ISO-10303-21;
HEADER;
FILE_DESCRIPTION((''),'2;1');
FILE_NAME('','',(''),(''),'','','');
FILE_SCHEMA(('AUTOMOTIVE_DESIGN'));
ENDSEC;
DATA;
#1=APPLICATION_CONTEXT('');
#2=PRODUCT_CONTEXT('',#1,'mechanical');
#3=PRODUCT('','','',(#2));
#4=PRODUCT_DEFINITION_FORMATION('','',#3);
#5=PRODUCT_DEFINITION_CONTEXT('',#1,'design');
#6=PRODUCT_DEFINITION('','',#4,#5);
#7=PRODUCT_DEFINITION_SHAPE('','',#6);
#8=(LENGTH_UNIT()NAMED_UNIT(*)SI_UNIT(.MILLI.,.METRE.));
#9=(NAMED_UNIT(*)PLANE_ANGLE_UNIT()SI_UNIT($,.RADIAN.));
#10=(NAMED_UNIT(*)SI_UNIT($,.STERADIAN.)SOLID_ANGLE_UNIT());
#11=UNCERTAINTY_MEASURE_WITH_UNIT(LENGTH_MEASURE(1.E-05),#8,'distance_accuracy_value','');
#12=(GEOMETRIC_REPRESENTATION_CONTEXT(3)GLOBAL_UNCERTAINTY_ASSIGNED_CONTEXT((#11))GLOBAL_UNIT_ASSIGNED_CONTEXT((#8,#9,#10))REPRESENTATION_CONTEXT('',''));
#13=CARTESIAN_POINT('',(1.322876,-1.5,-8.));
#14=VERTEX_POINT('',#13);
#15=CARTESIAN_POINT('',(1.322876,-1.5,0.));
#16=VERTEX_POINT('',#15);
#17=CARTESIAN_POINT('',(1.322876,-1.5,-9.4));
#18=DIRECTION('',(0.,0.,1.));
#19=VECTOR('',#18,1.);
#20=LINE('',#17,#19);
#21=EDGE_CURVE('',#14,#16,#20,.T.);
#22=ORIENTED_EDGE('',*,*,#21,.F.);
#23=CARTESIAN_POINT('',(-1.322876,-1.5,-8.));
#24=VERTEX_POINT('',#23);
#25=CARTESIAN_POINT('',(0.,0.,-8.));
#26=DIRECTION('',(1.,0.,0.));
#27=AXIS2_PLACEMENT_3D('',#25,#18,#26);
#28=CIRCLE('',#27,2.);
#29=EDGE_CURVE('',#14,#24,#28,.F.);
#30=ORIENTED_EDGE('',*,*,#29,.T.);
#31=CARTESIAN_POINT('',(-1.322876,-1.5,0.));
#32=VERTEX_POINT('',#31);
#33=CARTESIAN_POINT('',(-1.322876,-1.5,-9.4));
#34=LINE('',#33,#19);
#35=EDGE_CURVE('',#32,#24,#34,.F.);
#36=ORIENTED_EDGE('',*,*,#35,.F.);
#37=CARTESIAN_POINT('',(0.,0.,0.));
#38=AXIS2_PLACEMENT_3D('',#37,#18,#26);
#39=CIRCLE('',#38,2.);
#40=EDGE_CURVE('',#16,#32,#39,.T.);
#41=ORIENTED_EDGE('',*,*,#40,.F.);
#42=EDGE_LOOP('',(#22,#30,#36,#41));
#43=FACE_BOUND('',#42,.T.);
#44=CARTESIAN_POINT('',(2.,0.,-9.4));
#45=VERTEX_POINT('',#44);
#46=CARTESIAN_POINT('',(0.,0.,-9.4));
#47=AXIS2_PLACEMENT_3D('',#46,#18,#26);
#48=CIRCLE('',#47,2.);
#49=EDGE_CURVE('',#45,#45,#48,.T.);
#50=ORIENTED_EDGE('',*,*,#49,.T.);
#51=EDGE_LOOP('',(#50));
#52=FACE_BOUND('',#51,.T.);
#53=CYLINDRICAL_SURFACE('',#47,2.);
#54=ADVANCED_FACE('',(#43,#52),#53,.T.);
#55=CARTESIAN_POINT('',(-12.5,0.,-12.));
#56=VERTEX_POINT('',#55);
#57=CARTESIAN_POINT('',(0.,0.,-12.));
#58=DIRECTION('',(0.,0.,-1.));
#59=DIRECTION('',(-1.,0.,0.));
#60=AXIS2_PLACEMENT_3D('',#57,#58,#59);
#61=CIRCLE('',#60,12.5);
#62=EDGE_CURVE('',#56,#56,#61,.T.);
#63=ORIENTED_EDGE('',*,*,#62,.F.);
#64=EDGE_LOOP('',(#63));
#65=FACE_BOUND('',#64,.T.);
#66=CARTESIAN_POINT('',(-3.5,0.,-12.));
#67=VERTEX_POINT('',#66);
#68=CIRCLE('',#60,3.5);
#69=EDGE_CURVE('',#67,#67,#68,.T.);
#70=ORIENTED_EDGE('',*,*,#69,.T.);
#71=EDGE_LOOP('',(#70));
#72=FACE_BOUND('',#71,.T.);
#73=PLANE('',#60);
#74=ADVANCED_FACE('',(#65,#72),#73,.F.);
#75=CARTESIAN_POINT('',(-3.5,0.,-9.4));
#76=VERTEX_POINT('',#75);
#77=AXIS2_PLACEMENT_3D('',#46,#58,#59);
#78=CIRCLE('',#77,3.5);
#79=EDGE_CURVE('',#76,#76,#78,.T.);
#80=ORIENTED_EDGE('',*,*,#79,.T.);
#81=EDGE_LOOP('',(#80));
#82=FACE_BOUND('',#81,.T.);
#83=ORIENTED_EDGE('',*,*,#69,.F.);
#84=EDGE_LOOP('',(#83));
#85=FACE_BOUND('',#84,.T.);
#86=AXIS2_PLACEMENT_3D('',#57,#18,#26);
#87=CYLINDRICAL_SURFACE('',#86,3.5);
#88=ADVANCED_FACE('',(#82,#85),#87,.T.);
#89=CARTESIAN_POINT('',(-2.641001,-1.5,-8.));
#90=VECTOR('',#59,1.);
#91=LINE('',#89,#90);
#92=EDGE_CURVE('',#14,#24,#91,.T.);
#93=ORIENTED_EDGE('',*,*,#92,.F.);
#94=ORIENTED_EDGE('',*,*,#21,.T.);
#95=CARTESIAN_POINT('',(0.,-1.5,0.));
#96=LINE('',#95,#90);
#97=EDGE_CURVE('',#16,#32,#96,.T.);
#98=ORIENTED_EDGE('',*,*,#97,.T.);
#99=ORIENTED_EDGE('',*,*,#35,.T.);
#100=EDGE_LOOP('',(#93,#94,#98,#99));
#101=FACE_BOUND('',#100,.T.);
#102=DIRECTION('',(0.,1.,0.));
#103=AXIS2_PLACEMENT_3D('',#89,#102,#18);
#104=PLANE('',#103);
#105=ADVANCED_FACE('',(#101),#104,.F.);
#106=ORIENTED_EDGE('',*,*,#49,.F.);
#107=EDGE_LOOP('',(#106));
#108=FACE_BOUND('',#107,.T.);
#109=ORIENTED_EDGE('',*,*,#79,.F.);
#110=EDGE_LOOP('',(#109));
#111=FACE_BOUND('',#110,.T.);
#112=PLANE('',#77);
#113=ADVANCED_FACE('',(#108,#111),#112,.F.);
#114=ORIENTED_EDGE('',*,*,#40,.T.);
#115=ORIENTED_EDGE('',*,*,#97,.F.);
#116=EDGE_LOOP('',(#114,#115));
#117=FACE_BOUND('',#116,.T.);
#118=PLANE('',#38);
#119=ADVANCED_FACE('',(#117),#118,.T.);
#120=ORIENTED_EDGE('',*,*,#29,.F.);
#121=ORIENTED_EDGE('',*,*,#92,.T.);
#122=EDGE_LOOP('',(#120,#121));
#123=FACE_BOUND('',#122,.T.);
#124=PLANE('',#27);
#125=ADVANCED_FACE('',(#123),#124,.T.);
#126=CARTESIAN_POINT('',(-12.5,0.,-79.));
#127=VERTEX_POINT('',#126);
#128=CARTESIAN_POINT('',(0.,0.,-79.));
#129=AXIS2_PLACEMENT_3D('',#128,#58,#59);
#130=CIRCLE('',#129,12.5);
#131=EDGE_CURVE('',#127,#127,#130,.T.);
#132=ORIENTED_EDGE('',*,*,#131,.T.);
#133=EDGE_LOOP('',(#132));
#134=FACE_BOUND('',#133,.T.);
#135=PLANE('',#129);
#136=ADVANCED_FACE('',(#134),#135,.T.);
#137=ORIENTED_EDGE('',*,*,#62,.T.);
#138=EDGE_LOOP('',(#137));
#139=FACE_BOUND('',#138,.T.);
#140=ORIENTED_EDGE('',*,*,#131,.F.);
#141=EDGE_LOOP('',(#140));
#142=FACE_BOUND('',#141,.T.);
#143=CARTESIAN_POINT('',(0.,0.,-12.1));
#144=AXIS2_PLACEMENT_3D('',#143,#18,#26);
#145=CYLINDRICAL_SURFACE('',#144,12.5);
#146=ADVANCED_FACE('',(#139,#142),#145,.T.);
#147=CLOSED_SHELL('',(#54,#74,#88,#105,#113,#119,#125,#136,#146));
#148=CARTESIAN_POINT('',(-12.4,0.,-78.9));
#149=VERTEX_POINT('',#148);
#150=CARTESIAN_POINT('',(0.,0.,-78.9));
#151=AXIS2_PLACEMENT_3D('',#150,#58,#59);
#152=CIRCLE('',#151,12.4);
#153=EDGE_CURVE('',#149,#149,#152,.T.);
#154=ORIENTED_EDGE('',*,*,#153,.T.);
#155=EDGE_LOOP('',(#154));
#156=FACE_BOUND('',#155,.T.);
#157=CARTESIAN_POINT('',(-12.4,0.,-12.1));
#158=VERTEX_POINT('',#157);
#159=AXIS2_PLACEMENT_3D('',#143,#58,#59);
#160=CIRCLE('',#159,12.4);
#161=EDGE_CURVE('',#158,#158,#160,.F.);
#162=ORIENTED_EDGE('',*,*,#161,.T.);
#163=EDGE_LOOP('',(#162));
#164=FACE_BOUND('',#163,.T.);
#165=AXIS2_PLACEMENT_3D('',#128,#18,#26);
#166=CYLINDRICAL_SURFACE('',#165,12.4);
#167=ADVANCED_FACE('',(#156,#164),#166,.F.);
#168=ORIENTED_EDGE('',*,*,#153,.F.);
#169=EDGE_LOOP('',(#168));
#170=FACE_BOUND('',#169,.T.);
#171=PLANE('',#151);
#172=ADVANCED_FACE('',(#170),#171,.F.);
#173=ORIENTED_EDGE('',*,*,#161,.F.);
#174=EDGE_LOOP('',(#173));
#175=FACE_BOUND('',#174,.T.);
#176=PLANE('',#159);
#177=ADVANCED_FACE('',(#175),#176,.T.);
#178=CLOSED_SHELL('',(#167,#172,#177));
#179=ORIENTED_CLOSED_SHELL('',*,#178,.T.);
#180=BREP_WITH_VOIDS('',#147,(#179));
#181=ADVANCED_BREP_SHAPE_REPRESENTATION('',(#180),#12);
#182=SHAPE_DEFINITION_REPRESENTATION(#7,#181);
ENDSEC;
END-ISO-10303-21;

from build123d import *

# Parameters (mm, degrees)
SKETCH1_R           = 2
BOSS_EXTRUDE1_DEPTH = 9.4
SKETCH2_W           = 6
SKETCH2_H           = 0.5
CUT_EXTRUDE1_DEPTH  = 8
SKETCH3_R           = 3.5
BOSS_EXTRUDE2_DEPTH = 2.6
SKETCH4_R           = 12.5
SKETCH4_R_2         = 12.4
EXTRUDE_THIN1_DEPTH = 67
SKETCH6_R           = 12.5
BOSS_EXTRUDE4_DEPTH = 0.1
BOSS_EXTRUDE5_START = -0.1
SKETCH7_R           = 12.5
BOSS_EXTRUDE5_DEPTH = 0.1


with BuildPart() as part:
    # Sketch1 → Boss-Extrude1 (new body)
    with BuildSketch(Plane.XY):
        Circle(SKETCH1_R)
    extrude(amount=-BOSS_EXTRUDE1_DEPTH)

    # Sketch2 → Cut-Extrude1 (cut)
    with BuildSketch(Plane.XY):
        with Locations((0.35899941, -1.75)):
            Rectangle(SKETCH2_W, SKETCH2_H)
    extrude(amount=-CUT_EXTRUDE1_DEPTH, mode=Mode.SUBTRACT)

    # Sketch3 → Boss-Extrude2 (add)
    with BuildSketch(Plane(origin=(0, 0, -9.4), x_dir=(-1, 0, 0), z_dir=(0, 0, -1))):
        Circle(SKETCH3_R)
    extrude(amount=BOSS_EXTRUDE2_DEPTH)



with BuildPart() as body_2:
    # Sketch4 → Extrude-Thin1 (new body)
    with BuildSketch(Plane(origin=(0, 0, -12), x_dir=(-1, 0, 0), z_dir=(0, 0, -1))):
        Circle(SKETCH4_R)
        Circle(SKETCH4_R_2, mode=Mode.SUBTRACT)
    extrude(amount=EXTRUDE_THIN1_DEPTH)


with BuildPart() as part_1:
    add(part.part)

    add(body_2.part)  # Boss-Extrude4 merges body 2
    # Sketch6 → Boss-Extrude4 (add)
    with BuildSketch(Plane(origin=(0, 0, -12), x_dir=(-1, 0, 0), z_dir=(0, 0, -1))):
        Circle(SKETCH6_R)
    extrude(amount=BOSS_EXTRUDE4_DEPTH)

    # Sketch7 → Boss-Extrude5 (add)
    with BuildSketch(Plane(origin=(0, 0, -79), x_dir=(-1, 0, 0), z_dir=(0, 0, -1)).offset(BOSS_EXTRUDE5_START)):
        Circle(SKETCH7_R)
    extrude(amount=BOSS_EXTRUDE5_DEPTH)


solid = part_1.part
